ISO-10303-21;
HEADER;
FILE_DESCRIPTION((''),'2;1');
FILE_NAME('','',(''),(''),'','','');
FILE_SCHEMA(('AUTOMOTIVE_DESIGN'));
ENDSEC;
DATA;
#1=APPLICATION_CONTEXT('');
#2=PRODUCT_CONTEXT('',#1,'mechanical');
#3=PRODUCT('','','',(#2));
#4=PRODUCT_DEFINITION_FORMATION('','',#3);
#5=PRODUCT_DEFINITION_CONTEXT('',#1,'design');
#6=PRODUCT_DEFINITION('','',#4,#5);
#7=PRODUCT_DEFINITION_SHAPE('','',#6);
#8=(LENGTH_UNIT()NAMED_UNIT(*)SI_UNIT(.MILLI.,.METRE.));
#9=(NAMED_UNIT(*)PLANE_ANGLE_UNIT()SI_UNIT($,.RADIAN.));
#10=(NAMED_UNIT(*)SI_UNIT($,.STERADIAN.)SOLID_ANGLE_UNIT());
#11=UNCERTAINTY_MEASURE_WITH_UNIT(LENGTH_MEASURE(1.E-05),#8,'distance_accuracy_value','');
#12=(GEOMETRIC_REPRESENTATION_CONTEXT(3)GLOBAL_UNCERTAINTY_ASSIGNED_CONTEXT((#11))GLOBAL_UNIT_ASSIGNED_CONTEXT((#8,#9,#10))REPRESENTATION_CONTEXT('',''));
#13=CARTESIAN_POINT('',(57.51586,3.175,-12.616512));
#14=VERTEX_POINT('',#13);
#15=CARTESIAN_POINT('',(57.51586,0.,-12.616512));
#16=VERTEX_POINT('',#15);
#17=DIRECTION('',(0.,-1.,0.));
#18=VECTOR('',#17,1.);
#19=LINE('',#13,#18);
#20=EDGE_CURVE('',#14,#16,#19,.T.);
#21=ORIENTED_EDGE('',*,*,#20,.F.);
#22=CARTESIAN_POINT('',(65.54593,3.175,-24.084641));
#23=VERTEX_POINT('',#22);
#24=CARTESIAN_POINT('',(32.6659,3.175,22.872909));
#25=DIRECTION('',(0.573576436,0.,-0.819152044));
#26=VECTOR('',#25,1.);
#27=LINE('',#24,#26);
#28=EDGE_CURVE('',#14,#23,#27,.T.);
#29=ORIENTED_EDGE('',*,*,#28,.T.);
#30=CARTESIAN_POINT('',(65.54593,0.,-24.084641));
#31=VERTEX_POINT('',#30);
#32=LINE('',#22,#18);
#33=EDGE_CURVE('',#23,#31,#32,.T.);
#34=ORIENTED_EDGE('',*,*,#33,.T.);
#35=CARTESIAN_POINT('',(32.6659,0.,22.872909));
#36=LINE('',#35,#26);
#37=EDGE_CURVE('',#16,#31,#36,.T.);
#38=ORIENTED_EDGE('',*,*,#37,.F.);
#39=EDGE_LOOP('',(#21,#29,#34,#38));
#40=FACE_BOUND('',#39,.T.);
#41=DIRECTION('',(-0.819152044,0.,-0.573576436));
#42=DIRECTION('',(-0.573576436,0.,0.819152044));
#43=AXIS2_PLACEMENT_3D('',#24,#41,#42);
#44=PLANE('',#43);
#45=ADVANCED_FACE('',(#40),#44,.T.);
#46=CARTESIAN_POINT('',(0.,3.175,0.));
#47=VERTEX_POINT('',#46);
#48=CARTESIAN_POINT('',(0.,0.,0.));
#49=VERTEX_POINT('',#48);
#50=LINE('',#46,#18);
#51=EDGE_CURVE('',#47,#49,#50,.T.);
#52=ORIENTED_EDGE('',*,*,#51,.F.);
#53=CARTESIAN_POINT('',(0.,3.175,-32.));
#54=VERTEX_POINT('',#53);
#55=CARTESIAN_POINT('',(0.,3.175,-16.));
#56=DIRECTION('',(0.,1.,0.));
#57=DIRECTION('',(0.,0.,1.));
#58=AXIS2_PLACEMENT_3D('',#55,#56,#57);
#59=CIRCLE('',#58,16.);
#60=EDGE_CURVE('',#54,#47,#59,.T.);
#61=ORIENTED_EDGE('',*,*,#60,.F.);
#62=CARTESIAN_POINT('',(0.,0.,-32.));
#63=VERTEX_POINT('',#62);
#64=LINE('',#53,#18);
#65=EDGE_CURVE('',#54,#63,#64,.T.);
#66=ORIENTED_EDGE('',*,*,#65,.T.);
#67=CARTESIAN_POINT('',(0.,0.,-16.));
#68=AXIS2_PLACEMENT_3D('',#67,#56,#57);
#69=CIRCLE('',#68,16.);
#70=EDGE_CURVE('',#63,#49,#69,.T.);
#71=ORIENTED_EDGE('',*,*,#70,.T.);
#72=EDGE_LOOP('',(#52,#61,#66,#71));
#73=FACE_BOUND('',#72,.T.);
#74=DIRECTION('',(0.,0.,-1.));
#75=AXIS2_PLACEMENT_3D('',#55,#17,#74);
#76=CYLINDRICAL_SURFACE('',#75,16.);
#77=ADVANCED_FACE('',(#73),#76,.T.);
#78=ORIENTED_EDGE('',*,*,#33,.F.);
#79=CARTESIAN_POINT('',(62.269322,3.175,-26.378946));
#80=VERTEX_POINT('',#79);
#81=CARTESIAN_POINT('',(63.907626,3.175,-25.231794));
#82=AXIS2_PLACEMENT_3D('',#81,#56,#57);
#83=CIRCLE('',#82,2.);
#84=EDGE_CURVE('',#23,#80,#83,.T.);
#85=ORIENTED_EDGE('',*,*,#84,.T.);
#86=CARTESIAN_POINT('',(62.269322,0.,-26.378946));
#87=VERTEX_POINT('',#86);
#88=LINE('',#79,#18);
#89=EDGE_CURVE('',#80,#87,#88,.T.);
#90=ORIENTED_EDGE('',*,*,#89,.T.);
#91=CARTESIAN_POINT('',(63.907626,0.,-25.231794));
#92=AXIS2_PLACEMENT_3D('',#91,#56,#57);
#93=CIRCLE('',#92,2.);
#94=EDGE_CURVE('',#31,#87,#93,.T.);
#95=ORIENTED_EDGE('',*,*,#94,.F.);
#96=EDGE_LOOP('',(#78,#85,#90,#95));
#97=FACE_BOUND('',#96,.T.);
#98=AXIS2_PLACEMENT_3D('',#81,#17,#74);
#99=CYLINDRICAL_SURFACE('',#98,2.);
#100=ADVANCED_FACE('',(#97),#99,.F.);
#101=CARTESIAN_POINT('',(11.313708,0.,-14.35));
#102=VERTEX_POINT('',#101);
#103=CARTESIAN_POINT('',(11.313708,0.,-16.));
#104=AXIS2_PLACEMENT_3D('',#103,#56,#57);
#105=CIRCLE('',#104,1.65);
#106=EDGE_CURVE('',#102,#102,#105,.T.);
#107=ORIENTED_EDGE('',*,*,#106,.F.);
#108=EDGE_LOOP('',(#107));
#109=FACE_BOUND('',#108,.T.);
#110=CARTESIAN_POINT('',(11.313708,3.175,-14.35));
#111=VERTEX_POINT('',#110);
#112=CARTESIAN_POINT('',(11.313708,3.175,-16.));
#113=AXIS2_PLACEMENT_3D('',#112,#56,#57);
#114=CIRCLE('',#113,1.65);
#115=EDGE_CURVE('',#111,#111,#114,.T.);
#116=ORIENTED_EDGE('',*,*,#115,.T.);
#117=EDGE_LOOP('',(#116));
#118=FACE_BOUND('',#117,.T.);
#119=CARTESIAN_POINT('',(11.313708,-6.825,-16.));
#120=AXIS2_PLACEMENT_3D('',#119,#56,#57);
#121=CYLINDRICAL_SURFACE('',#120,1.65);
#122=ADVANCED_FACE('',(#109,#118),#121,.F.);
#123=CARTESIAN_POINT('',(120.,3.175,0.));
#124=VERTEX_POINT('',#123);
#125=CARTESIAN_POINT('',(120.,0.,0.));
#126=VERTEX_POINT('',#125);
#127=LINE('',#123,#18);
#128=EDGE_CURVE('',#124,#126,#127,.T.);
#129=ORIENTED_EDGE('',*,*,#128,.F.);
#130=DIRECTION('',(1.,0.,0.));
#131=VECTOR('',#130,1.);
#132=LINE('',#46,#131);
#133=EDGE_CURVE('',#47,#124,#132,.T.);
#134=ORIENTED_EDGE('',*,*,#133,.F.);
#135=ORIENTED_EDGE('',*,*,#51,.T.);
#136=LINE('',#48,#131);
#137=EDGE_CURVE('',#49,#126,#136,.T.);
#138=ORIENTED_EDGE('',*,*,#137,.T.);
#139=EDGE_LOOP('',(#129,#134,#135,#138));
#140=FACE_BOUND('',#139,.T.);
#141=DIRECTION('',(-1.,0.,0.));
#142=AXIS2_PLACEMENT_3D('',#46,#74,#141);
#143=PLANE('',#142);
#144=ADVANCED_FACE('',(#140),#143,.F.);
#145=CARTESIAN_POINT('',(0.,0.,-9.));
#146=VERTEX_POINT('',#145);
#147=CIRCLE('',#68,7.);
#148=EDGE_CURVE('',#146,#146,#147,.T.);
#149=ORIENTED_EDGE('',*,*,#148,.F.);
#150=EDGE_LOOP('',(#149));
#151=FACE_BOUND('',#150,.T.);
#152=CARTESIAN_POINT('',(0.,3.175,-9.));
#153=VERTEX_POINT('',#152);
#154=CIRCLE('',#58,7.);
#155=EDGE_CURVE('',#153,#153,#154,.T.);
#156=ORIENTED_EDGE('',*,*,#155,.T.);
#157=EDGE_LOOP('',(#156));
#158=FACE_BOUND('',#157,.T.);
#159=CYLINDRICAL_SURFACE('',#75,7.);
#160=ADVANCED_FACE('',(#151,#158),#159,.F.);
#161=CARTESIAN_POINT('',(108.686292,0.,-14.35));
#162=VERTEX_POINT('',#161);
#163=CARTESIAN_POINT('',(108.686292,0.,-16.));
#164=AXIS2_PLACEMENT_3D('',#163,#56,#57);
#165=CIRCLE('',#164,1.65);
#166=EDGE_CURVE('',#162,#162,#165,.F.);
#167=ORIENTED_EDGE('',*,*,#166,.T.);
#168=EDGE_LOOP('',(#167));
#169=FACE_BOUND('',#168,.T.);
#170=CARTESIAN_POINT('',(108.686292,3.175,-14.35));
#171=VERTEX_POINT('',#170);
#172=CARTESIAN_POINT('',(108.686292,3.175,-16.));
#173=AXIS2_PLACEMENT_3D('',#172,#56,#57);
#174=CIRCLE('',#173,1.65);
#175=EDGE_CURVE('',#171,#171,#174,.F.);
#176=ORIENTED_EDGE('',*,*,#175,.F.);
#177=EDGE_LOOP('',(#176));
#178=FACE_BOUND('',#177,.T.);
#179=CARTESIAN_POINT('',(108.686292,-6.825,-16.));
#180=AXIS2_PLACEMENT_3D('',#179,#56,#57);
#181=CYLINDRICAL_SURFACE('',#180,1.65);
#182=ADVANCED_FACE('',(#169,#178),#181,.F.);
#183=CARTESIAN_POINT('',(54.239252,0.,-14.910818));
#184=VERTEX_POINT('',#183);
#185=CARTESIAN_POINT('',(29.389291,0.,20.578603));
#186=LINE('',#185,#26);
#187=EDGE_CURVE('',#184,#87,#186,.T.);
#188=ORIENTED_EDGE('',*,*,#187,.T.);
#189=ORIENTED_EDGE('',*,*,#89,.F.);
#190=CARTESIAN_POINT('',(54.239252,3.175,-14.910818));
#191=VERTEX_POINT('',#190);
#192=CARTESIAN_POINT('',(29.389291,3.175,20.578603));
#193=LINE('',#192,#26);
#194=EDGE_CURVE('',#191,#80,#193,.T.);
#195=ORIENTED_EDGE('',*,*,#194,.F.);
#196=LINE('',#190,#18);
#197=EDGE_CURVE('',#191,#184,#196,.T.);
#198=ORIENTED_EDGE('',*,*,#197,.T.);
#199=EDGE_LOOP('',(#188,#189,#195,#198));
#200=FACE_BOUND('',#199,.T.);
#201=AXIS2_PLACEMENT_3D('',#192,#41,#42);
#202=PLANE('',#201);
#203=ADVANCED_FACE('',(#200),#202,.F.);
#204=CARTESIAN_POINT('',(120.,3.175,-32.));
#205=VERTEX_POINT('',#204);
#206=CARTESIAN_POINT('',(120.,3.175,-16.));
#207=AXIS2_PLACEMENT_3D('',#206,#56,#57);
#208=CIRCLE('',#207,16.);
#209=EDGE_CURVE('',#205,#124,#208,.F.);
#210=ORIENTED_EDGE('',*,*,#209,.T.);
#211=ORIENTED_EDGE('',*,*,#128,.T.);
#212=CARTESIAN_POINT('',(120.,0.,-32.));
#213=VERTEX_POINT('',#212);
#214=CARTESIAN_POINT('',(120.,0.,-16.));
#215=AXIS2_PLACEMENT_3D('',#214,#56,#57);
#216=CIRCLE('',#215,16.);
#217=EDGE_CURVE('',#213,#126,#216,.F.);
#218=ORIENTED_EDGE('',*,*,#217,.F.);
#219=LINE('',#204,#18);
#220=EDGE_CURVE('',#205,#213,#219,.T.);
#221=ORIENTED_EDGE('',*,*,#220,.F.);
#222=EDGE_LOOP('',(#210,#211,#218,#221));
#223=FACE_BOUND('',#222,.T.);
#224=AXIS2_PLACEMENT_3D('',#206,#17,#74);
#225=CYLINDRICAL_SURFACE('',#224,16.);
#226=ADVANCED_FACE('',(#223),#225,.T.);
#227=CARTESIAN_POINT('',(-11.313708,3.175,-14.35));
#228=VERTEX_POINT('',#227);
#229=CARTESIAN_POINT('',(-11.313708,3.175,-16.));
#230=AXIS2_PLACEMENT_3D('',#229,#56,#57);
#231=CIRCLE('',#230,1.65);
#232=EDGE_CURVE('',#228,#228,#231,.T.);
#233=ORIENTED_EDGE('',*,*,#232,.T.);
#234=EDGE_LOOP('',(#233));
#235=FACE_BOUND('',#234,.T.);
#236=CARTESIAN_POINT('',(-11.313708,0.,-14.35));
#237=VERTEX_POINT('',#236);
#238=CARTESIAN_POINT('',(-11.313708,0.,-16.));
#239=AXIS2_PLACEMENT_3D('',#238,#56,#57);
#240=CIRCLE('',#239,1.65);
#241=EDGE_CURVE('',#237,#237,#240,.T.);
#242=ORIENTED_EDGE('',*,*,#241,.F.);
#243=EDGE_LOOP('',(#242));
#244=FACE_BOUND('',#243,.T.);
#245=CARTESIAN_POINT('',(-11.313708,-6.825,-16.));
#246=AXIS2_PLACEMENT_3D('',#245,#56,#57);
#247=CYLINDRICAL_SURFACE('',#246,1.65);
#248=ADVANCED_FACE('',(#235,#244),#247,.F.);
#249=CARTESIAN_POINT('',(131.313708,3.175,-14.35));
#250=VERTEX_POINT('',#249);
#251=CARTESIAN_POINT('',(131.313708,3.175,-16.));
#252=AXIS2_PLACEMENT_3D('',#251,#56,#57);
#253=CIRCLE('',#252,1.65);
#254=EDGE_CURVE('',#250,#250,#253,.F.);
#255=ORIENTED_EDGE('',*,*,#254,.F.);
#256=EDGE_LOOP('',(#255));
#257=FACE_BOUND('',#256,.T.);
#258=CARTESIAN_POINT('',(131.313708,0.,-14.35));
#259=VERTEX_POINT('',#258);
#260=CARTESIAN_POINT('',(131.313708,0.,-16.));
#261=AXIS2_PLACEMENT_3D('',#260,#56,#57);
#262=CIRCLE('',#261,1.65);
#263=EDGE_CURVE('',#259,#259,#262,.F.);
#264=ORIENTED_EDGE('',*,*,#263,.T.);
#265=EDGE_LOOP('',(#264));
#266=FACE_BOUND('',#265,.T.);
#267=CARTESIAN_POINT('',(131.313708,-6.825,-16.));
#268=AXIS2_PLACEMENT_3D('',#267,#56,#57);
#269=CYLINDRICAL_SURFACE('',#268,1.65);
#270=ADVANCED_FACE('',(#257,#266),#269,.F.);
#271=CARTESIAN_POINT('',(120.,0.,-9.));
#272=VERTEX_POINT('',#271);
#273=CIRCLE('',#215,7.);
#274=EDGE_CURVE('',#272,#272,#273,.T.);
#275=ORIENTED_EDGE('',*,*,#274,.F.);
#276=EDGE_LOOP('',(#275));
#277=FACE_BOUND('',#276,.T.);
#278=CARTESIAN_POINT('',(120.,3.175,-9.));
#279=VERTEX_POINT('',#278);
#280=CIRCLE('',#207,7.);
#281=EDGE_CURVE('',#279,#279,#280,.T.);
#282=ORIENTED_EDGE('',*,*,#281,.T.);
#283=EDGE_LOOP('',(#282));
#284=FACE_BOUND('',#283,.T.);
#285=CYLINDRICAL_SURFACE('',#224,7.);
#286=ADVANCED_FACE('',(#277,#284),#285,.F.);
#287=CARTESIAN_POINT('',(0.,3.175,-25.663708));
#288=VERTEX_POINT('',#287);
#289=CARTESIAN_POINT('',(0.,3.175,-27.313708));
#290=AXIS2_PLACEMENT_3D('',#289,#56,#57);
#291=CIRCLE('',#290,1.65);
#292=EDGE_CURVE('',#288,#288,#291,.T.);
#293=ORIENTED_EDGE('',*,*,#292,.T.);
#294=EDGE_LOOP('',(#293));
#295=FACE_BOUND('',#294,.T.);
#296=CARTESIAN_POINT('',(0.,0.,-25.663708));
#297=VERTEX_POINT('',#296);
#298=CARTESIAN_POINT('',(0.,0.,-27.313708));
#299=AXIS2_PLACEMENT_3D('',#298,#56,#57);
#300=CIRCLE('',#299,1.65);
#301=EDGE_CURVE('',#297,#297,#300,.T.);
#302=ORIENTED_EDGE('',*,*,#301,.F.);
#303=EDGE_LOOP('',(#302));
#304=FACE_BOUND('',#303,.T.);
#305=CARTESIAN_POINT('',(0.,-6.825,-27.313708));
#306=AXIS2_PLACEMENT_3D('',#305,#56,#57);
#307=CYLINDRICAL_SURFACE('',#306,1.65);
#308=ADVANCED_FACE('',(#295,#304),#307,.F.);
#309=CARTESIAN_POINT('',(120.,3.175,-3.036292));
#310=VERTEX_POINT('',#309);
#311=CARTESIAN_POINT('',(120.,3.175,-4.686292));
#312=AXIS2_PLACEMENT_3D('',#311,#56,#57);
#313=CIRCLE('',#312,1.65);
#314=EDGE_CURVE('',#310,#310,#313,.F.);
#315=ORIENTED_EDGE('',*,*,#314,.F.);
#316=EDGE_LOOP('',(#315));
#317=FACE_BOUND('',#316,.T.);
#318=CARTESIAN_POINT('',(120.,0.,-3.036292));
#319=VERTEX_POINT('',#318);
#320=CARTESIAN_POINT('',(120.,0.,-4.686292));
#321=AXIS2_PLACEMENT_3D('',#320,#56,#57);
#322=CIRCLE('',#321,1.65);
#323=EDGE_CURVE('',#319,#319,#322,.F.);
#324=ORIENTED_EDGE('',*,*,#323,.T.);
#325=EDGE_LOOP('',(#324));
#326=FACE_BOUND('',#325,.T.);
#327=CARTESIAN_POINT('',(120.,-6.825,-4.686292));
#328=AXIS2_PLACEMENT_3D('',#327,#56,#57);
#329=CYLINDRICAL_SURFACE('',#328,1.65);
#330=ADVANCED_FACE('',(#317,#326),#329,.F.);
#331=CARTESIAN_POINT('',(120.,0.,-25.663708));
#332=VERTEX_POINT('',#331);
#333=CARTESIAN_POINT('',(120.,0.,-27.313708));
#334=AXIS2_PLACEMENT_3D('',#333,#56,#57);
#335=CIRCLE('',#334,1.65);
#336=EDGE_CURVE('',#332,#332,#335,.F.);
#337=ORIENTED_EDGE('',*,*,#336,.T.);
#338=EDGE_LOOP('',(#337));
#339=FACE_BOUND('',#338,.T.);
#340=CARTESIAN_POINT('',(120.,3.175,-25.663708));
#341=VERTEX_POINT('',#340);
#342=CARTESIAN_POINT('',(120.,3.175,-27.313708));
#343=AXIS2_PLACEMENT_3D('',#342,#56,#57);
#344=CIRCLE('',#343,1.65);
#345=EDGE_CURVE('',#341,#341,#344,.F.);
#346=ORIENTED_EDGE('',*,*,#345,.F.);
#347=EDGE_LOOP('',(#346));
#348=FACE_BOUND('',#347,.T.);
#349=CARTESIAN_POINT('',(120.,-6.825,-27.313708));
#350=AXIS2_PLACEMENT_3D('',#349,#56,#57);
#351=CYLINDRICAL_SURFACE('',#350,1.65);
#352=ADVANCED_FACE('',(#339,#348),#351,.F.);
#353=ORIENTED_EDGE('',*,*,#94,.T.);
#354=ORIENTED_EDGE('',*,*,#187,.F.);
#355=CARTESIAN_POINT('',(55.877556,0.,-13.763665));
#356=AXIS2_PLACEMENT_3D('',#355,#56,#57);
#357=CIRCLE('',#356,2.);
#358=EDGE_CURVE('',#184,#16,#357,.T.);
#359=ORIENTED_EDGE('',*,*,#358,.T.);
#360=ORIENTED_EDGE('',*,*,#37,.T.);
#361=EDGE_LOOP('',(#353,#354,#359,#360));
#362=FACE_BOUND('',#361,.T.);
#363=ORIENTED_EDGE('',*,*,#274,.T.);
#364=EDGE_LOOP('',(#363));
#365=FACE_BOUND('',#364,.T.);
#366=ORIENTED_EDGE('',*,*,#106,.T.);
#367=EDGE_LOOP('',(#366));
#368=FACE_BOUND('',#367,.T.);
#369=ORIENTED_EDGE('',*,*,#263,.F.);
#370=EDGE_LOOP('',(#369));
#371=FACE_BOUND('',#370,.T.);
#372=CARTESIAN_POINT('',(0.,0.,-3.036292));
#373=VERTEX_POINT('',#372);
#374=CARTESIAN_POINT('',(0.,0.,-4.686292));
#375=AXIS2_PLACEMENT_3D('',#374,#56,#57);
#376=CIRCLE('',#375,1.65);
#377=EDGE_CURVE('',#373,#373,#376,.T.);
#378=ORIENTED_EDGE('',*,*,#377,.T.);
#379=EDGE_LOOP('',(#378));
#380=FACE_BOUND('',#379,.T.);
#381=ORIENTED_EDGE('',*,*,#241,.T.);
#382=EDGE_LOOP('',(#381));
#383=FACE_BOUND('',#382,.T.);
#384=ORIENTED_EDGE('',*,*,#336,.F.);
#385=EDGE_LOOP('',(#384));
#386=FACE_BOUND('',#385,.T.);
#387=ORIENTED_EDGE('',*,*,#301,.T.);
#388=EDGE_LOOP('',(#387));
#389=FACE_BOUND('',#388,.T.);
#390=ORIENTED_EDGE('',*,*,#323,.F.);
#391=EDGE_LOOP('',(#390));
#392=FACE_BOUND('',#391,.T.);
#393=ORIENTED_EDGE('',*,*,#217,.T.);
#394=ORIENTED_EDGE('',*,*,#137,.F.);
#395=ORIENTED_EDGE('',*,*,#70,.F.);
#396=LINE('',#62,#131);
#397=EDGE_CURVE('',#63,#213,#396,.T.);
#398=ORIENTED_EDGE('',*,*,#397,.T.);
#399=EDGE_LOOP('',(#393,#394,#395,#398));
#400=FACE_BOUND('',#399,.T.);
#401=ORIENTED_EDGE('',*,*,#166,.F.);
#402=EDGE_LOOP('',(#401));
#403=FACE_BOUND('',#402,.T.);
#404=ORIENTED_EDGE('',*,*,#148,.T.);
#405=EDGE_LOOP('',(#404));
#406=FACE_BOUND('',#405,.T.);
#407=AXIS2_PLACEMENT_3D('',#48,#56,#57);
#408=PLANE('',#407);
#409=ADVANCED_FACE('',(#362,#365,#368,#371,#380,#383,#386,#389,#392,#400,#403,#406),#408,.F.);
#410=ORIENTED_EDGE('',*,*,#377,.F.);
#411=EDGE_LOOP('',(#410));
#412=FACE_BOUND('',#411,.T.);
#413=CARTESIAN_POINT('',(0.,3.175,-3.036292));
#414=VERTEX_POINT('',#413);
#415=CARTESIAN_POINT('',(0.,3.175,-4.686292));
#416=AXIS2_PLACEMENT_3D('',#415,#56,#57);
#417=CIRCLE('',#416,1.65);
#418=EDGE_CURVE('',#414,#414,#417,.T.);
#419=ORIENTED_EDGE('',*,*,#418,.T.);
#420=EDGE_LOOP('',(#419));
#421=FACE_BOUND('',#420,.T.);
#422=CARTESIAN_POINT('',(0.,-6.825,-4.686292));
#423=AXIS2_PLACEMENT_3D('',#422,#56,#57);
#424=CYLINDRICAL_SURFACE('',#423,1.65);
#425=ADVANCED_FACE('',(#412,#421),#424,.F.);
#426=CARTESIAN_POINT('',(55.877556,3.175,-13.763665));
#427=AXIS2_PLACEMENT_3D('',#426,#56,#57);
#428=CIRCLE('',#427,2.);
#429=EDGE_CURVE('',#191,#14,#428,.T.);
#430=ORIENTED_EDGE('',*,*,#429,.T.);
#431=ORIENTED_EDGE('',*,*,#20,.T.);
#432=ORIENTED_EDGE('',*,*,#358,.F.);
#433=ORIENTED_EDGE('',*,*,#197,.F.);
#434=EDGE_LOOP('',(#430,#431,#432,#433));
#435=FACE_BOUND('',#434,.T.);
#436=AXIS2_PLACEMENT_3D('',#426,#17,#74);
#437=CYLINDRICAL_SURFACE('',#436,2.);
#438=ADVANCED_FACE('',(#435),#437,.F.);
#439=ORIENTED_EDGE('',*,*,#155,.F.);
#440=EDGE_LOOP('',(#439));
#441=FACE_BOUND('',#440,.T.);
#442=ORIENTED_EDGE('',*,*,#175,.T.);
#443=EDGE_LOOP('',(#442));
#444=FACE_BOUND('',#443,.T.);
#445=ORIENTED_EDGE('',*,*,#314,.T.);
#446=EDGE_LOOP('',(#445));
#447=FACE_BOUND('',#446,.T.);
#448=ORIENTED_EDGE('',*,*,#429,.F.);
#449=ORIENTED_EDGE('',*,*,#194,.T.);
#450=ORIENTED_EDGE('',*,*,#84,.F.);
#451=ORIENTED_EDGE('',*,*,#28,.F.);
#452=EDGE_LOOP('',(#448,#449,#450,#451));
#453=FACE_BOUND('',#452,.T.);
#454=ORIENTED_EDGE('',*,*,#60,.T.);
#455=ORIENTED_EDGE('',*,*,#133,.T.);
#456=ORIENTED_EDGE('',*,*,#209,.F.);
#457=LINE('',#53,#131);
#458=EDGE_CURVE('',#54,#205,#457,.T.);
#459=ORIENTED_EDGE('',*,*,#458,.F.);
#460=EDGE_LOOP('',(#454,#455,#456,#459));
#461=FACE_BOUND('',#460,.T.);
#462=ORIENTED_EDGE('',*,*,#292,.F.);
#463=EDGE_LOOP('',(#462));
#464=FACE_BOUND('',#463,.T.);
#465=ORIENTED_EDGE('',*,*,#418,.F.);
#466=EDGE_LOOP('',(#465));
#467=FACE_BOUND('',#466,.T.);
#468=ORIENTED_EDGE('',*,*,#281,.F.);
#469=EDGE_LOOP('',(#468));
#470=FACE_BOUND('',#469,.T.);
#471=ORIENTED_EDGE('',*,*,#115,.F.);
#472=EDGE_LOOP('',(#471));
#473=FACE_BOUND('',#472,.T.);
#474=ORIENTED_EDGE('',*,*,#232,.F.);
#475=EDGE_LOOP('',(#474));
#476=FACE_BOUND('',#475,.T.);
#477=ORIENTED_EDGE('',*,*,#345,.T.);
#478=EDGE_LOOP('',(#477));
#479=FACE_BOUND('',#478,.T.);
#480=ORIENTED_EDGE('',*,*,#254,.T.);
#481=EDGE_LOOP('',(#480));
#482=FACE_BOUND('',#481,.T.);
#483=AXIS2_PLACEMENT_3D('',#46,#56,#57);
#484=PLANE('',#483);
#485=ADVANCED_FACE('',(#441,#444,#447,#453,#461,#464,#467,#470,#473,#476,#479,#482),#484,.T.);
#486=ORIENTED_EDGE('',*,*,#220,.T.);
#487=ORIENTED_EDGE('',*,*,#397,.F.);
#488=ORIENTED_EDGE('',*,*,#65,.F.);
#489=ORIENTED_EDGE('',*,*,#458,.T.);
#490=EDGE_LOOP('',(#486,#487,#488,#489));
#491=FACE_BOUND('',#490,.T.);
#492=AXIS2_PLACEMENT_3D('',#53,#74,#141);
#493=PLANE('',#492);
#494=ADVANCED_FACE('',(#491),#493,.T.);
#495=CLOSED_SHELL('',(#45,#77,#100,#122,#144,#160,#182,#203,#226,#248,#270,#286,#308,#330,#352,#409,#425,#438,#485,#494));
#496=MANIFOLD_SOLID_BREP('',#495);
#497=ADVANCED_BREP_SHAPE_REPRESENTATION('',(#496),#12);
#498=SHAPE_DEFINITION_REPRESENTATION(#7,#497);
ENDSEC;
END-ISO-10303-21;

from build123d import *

# Parameters (mm, degrees)
SKETCH1_R           = 7
BOSS_EXTRUDE1_DEPTH = 3.175
SKETCH2_R           = 1.65
CUT_EXTRUDE1_DEPTH  = 10


with BuildPart() as part:
    # Sketch1 → Boss-Extrude1 (new body)
    with BuildSketch(Plane(origin=(0, 0, 0), x_dir=(1, 0, 0), z_dir=(0, 1, 0))):
        with BuildLine():
            Line((0, 0), (120, 0))
            ThreePointArc((120, 0), (136, 16), (120, 32))
            Line((120, 32), (0, 32))
            ThreePointArc((0, 32), (-16, 16), (0, 0))
        make_face()
        with Locations(Location((0, 16, 0), (0, 0, 270))):
            Circle(SKETCH1_R, mode=Mode.SUBTRACT)
        with Locations(Location((120, 16, 0), (0, 0, 270))):
            Circle(SKETCH1_R, mode=Mode.SUBTRACT)
        with BuildLine():
            Line((54.239251688, 14.910817765), (62.269321797, 26.378946385))
            ThreePointArc((62.269321797, 26.378946385), (65.054778758, 26.870097601), (65.545929974, 24.08464064))
            Line((65.545929974, 24.08464064), (57.515859865, 12.616512019))
            ThreePointArc((57.515859865, 12.616512019), (54.730402904, 12.125360804), (54.239251688, 14.910817765))
        make_face(mode=Mode.SUBTRACT)
    extrude(amount=BOSS_EXTRUDE1_DEPTH)

    # Sketch2 → Cut-Extrude1 (cut)
    with BuildSketch(Plane(origin=(0, 3.175, 0), x_dir=(1, 0, 0), z_dir=(0, 1, 0))):
        with Locations(Location((120, 27.313708499, 0), (0, 0, 270))):
            Circle(SKETCH2_R)
        with Locations(Location((108.686291501, 16, 0), (0, 0, 270))):
            Circle(SKETCH2_R)
        with Locations(Location((120, 4.686291501, 0), (0, 0, 270))):
            Circle(SKETCH2_R)
        with Locations(Location((131.313708499, 16, 0), (0, 0, 270))):
            Circle(SKETCH2_R)
        with Locations(Location((-11.313708499, 16, 0), (0, 0, 270))):
            Circle(SKETCH2_R)
        with Locations(Location((0, 27.313708499, 0), (0, 0, 270))):
            Circle(SKETCH2_R)
        with Locations(Location((11.313708499, 16, 0), (0, 0, 270))):
            Circle(SKETCH2_R)
        with Locations(Location((0, 4.686291501, 0), (0, 0, 270))):
            Circle(SKETCH2_R)
    extrude(amount=-CUT_EXTRUDE1_DEPTH, mode=Mode.SUBTRACT)


solid = part.part
